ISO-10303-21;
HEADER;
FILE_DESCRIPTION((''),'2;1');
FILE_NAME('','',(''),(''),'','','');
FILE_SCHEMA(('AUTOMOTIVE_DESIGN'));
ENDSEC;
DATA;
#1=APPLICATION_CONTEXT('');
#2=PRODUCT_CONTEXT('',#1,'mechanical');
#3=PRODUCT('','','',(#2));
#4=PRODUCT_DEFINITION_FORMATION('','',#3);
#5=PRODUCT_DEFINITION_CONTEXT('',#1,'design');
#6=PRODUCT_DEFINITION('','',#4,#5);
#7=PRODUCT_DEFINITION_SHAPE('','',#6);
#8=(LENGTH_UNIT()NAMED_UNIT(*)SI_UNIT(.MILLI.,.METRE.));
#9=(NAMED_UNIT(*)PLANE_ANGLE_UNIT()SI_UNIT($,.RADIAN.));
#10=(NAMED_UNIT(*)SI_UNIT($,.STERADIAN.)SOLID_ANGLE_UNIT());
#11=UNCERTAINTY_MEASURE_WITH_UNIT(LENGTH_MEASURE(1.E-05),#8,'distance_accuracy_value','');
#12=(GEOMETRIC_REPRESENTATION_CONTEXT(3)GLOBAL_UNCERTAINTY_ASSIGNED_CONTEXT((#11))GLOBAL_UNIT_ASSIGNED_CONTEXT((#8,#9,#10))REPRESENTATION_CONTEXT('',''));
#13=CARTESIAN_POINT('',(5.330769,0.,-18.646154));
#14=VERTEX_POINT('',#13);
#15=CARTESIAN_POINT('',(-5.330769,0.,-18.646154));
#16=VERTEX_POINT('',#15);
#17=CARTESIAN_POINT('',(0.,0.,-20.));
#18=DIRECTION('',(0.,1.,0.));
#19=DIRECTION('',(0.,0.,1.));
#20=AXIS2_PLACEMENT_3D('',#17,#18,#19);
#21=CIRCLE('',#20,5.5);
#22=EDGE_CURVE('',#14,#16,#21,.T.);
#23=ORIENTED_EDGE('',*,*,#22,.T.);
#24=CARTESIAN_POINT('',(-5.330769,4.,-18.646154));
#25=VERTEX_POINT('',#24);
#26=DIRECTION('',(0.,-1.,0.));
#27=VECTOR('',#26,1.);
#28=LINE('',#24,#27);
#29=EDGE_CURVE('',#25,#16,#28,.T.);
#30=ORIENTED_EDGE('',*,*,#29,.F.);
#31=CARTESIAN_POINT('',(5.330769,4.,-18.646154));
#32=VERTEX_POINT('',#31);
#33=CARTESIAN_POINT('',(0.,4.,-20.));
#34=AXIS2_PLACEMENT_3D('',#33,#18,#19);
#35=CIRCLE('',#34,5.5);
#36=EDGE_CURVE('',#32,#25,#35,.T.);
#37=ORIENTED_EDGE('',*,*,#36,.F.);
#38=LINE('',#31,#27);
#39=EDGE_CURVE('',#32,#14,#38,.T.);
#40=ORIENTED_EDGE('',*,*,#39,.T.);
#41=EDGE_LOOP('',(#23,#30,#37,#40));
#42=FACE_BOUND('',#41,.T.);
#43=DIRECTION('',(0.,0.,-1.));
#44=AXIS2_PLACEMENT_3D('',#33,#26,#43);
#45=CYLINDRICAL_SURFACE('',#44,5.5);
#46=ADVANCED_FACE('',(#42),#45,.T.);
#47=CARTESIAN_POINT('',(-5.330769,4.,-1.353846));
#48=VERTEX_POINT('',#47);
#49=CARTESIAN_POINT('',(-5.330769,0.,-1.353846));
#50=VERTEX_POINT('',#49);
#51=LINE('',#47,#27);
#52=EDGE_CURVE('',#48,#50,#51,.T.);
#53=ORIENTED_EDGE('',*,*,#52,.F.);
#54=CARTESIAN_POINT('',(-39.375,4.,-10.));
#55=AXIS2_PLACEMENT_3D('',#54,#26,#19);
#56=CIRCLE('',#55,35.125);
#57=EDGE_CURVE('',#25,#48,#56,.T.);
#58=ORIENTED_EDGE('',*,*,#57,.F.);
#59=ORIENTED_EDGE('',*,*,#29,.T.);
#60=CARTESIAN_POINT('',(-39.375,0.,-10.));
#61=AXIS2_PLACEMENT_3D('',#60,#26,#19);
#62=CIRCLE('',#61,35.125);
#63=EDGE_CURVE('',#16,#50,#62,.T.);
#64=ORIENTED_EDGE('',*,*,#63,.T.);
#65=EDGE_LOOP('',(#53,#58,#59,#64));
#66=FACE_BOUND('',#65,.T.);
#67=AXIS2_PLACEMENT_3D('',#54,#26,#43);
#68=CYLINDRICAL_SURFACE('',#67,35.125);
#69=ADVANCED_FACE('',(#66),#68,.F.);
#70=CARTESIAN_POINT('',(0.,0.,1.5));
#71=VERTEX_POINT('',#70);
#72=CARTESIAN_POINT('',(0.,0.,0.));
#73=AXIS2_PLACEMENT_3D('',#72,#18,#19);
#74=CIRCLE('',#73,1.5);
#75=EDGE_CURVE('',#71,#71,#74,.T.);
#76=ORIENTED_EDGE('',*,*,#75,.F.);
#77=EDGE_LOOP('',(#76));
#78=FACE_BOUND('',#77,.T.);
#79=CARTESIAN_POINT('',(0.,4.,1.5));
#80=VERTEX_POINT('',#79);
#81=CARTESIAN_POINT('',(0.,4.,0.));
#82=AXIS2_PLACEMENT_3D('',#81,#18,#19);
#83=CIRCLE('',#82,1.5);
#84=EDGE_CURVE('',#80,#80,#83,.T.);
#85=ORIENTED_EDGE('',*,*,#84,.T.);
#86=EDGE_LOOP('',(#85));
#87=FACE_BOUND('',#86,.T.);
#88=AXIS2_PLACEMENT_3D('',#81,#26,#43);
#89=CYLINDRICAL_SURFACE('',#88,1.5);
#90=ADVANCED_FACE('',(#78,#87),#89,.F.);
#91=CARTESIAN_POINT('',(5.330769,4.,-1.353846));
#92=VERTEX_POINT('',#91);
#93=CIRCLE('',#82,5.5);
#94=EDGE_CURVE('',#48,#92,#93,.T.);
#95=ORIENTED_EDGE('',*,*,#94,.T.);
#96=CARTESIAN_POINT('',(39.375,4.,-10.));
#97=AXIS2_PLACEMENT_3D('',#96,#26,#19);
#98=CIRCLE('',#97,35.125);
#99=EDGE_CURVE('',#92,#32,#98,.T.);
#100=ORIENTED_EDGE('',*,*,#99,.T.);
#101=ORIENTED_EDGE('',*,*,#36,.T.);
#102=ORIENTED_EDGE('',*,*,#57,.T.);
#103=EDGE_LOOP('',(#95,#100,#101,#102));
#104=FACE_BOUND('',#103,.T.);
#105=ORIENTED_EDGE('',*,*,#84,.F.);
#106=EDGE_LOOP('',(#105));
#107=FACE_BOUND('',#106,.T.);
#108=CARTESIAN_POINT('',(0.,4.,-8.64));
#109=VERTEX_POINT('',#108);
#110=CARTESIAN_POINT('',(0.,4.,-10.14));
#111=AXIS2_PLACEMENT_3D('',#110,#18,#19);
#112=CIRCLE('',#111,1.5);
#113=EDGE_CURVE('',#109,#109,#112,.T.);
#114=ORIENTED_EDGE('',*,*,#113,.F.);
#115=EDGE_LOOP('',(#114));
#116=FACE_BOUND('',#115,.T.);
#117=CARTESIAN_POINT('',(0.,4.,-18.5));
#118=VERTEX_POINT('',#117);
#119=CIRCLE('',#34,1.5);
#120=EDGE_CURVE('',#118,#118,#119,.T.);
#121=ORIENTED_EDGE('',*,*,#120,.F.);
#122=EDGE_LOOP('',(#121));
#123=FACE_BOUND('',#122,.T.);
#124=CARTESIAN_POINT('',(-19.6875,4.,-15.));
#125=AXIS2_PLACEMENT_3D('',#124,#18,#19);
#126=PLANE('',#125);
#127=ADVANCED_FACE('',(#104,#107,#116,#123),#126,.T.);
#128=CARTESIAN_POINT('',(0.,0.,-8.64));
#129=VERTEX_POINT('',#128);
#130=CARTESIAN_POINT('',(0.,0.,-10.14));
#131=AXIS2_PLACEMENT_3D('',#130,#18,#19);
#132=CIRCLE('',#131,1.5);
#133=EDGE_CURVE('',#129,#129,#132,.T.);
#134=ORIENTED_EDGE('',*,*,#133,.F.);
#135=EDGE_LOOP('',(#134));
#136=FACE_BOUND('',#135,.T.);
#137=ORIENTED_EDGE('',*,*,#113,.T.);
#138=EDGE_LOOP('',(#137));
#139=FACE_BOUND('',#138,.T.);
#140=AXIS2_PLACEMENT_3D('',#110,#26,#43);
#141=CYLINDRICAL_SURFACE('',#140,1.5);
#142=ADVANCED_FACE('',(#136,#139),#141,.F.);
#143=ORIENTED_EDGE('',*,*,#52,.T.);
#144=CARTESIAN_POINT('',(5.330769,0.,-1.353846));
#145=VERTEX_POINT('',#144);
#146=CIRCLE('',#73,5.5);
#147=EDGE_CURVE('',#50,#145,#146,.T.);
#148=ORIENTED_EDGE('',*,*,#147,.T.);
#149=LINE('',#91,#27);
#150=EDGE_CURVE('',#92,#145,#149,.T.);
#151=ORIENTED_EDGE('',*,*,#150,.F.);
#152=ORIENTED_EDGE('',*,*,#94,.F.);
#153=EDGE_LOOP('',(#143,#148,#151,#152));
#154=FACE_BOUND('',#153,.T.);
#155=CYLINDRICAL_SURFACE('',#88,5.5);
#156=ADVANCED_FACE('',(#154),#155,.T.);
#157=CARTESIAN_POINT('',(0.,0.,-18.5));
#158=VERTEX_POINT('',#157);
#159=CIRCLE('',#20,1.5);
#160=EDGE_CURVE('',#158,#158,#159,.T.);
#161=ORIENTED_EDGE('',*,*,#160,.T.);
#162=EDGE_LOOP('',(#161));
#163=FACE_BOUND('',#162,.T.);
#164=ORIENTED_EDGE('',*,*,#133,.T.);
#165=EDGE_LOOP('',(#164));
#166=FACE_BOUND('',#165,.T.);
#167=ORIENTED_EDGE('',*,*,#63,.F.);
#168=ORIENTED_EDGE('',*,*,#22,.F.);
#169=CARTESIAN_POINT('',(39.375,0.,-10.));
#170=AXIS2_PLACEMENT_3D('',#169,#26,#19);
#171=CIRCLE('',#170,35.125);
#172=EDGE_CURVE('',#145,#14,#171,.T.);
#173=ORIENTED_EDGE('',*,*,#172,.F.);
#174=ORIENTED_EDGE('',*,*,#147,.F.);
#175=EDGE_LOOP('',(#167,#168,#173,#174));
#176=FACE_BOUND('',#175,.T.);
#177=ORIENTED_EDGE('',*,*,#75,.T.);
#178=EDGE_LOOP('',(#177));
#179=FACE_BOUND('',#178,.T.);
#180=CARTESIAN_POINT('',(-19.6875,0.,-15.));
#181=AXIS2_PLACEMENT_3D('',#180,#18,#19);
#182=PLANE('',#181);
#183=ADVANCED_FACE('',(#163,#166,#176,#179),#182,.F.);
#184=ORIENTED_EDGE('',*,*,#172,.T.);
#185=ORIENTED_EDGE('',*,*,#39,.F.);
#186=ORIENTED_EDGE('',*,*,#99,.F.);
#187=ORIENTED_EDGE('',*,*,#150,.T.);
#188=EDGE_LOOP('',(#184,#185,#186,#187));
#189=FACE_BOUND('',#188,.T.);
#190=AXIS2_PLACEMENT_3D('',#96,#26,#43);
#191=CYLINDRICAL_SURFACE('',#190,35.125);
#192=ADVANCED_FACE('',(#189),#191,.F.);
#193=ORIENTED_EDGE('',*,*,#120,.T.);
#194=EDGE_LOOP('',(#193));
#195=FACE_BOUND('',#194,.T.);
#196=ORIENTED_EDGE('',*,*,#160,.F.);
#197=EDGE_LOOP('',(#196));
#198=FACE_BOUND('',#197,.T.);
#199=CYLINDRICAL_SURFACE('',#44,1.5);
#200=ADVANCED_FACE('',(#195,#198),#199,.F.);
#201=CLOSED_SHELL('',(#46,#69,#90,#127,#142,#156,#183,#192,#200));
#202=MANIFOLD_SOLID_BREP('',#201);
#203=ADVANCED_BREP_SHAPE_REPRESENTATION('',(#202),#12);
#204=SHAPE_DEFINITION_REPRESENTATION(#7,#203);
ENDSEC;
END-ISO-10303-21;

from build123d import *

# Parameters (mm, degrees)
SKETCH1_R           = 1.5
BOSS_EXTRUDE1_DEPTH = 4


with BuildPart() as part:
    # Sketch1 → Boss-Extrude1 (new body)
    with BuildSketch(Plane(origin=(0, 0, 0), x_dir=(1, 0, 0), z_dir=(0, 1, 0))):
        with BuildLine():
            ThreePointArc((-5.330769231, 1.353846154), (0, -5.5), (5.330769231, 1.353846154))
            ThreePointArc((5.330769231, 1.353846154), (4.25, 10), (5.330769231, 18.646153846))
            ThreePointArc((5.330769231, 18.646153846), (0, 25.5), (-5.330769231, 18.646153846))
            ThreePointArc((-5.330769231, 18.646153846), (-4.25, 10), (-5.330769231, 1.353846154))
        make_face()
        Circle(SKETCH1_R, mode=Mode.SUBTRACT)
        with Locations((0, 10.14)):
            Circle(SKETCH1_R, mode=Mode.SUBTRACT)
        with Locations((0, 20)):
            Circle(SKETCH1_R, mode=Mode.SUBTRACT)
    extrude(amount=BOSS_EXTRUDE1_DEPTH)


solid = part.part
